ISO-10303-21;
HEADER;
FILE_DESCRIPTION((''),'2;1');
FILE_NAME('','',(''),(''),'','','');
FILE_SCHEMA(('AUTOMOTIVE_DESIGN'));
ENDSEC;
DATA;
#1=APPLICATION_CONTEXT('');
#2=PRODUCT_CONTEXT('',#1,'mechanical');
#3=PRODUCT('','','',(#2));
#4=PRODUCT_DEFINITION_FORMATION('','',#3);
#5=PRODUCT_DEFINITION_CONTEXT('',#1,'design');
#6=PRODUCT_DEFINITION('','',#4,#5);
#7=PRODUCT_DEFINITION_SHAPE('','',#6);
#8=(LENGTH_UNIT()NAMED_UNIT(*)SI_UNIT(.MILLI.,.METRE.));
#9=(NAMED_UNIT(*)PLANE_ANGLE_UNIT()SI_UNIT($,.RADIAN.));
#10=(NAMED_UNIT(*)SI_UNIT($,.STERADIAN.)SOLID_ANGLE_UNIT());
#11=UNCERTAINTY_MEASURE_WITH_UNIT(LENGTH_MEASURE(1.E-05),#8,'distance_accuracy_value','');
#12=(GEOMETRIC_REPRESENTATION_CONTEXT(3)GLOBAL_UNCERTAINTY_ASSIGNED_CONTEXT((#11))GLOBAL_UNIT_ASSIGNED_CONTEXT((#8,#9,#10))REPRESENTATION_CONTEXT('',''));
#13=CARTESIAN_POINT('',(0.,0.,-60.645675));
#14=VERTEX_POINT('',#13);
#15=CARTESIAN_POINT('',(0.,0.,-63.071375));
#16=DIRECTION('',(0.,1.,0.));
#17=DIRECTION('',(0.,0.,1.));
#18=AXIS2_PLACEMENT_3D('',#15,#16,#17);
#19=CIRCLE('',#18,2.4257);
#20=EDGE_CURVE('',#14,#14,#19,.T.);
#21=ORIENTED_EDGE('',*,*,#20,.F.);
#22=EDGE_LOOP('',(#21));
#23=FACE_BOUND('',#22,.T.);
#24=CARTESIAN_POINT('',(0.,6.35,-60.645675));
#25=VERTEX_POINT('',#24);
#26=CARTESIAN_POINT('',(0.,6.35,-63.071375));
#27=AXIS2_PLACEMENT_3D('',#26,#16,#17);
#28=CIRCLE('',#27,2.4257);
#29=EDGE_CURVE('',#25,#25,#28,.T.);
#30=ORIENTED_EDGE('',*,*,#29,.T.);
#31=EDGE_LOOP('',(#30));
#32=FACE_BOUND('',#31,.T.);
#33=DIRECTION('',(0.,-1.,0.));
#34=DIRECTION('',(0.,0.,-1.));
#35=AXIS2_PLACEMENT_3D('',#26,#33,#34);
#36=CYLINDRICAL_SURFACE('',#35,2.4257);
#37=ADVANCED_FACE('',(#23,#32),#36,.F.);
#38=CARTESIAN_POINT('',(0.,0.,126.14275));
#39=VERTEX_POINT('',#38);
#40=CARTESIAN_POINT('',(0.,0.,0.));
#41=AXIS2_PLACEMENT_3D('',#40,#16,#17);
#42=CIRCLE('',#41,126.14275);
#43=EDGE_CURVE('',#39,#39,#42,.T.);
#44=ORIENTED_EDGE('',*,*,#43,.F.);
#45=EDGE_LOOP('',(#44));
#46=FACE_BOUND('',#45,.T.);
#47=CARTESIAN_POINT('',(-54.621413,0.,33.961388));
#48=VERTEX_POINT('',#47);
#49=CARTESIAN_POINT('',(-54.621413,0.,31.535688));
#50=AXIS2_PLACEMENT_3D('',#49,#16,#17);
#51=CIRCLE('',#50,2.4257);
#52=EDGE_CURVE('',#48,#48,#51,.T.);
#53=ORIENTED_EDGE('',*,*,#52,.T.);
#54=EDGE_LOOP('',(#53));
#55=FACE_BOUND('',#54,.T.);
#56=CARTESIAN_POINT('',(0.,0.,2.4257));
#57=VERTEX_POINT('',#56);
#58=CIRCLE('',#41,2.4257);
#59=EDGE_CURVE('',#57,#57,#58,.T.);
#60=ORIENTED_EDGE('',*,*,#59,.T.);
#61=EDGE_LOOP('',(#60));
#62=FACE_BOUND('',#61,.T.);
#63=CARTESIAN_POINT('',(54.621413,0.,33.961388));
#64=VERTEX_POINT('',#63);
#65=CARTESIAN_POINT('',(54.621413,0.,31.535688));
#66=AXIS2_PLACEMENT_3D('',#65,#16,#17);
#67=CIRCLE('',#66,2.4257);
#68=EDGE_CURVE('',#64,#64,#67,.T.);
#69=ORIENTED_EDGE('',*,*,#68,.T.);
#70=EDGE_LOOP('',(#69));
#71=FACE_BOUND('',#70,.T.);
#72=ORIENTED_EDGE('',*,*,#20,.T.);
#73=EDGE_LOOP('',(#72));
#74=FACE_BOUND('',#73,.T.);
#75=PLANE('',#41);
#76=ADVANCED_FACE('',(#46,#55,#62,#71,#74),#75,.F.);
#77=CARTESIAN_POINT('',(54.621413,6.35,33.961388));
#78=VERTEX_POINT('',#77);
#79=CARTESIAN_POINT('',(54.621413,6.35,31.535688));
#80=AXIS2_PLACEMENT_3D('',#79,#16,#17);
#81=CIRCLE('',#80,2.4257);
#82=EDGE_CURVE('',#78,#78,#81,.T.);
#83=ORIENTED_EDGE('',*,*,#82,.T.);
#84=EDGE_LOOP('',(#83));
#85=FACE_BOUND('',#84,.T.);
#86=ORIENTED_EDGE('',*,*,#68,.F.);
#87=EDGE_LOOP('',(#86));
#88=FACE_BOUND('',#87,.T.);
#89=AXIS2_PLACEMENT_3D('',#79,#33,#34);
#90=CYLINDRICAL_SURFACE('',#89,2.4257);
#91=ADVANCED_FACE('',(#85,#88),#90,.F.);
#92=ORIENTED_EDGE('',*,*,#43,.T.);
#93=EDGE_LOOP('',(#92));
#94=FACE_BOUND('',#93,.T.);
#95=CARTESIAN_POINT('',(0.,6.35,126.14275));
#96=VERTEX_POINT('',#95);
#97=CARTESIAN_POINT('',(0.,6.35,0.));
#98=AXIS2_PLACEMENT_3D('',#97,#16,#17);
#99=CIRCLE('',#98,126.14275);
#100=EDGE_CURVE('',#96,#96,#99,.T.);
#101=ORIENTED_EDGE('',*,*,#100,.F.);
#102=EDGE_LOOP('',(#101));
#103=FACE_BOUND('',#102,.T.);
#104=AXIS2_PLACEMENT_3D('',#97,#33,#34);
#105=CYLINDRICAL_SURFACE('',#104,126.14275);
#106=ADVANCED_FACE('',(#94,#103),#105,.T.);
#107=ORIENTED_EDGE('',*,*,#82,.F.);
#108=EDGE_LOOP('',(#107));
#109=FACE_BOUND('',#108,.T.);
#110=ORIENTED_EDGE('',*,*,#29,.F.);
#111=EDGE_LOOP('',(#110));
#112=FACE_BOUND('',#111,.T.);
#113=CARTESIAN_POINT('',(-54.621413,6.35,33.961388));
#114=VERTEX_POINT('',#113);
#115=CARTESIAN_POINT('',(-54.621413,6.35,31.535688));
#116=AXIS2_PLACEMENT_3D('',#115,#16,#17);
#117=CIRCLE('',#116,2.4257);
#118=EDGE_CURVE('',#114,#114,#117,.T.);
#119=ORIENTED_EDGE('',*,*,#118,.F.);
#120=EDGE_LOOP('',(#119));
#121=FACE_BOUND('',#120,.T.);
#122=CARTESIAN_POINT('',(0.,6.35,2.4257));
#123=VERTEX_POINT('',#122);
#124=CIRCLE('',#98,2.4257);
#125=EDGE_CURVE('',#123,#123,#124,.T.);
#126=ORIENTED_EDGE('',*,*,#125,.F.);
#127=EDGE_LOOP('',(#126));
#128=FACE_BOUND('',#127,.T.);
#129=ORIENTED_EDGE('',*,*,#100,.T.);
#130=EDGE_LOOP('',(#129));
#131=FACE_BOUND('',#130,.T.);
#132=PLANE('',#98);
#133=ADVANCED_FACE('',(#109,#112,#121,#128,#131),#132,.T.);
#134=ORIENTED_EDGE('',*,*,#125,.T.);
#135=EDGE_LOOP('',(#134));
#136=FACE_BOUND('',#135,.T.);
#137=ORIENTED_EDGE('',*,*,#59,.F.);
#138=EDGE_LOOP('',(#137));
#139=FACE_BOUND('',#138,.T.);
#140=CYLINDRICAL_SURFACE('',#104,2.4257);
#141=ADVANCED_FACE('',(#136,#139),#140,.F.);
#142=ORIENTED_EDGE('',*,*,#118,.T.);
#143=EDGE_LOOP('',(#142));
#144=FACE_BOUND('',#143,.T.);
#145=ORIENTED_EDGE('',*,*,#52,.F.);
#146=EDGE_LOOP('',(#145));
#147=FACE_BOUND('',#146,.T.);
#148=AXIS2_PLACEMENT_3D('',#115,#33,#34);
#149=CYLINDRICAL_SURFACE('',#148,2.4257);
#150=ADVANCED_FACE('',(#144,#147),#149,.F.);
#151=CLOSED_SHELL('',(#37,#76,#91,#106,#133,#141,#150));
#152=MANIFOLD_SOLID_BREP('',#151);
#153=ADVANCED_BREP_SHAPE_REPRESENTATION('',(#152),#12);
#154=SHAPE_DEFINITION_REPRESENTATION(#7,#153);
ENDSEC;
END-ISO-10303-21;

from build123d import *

# Parameters (mm, degrees)
SKETCH1_R           = 126.14275
SKETCH1_R_2         = 2.4257
BOSS_EXTRUDE1_DEPTH = 6.35


with BuildPart() as part:
    # Sketch1 → Boss-Extrude1 (new body)
    with BuildSketch(Plane(origin=(0, 0, 0), x_dir=(1, 0, 0), z_dir=(0, 1, 0))):
        with Locations(Location((0, 0, 0), (0, 0, 270))):
            Circle(SKETCH1_R)
        with Locations(Location((0, 63.071375, 0), (0, 0, 270))):
            Circle(SKETCH1_R_2, mode=Mode.SUBTRACT)
        with Locations(Location((54.621413002, -31.5356875, 0), (0, 0, 270))):
            Circle(SKETCH1_R_2, mode=Mode.SUBTRACT)
        with Locations(Location((-54.621413002, -31.5356875, 0), (0, 0, 270))):
            Circle(SKETCH1_R_2, mode=Mode.SUBTRACT)
        with Locations(Location((0, 0, 0), (0, 0, 270))):
            Circle(SKETCH1_R_2, mode=Mode.SUBTRACT)
    extrude(amount=BOSS_EXTRUDE1_DEPTH)


solid = part.part
